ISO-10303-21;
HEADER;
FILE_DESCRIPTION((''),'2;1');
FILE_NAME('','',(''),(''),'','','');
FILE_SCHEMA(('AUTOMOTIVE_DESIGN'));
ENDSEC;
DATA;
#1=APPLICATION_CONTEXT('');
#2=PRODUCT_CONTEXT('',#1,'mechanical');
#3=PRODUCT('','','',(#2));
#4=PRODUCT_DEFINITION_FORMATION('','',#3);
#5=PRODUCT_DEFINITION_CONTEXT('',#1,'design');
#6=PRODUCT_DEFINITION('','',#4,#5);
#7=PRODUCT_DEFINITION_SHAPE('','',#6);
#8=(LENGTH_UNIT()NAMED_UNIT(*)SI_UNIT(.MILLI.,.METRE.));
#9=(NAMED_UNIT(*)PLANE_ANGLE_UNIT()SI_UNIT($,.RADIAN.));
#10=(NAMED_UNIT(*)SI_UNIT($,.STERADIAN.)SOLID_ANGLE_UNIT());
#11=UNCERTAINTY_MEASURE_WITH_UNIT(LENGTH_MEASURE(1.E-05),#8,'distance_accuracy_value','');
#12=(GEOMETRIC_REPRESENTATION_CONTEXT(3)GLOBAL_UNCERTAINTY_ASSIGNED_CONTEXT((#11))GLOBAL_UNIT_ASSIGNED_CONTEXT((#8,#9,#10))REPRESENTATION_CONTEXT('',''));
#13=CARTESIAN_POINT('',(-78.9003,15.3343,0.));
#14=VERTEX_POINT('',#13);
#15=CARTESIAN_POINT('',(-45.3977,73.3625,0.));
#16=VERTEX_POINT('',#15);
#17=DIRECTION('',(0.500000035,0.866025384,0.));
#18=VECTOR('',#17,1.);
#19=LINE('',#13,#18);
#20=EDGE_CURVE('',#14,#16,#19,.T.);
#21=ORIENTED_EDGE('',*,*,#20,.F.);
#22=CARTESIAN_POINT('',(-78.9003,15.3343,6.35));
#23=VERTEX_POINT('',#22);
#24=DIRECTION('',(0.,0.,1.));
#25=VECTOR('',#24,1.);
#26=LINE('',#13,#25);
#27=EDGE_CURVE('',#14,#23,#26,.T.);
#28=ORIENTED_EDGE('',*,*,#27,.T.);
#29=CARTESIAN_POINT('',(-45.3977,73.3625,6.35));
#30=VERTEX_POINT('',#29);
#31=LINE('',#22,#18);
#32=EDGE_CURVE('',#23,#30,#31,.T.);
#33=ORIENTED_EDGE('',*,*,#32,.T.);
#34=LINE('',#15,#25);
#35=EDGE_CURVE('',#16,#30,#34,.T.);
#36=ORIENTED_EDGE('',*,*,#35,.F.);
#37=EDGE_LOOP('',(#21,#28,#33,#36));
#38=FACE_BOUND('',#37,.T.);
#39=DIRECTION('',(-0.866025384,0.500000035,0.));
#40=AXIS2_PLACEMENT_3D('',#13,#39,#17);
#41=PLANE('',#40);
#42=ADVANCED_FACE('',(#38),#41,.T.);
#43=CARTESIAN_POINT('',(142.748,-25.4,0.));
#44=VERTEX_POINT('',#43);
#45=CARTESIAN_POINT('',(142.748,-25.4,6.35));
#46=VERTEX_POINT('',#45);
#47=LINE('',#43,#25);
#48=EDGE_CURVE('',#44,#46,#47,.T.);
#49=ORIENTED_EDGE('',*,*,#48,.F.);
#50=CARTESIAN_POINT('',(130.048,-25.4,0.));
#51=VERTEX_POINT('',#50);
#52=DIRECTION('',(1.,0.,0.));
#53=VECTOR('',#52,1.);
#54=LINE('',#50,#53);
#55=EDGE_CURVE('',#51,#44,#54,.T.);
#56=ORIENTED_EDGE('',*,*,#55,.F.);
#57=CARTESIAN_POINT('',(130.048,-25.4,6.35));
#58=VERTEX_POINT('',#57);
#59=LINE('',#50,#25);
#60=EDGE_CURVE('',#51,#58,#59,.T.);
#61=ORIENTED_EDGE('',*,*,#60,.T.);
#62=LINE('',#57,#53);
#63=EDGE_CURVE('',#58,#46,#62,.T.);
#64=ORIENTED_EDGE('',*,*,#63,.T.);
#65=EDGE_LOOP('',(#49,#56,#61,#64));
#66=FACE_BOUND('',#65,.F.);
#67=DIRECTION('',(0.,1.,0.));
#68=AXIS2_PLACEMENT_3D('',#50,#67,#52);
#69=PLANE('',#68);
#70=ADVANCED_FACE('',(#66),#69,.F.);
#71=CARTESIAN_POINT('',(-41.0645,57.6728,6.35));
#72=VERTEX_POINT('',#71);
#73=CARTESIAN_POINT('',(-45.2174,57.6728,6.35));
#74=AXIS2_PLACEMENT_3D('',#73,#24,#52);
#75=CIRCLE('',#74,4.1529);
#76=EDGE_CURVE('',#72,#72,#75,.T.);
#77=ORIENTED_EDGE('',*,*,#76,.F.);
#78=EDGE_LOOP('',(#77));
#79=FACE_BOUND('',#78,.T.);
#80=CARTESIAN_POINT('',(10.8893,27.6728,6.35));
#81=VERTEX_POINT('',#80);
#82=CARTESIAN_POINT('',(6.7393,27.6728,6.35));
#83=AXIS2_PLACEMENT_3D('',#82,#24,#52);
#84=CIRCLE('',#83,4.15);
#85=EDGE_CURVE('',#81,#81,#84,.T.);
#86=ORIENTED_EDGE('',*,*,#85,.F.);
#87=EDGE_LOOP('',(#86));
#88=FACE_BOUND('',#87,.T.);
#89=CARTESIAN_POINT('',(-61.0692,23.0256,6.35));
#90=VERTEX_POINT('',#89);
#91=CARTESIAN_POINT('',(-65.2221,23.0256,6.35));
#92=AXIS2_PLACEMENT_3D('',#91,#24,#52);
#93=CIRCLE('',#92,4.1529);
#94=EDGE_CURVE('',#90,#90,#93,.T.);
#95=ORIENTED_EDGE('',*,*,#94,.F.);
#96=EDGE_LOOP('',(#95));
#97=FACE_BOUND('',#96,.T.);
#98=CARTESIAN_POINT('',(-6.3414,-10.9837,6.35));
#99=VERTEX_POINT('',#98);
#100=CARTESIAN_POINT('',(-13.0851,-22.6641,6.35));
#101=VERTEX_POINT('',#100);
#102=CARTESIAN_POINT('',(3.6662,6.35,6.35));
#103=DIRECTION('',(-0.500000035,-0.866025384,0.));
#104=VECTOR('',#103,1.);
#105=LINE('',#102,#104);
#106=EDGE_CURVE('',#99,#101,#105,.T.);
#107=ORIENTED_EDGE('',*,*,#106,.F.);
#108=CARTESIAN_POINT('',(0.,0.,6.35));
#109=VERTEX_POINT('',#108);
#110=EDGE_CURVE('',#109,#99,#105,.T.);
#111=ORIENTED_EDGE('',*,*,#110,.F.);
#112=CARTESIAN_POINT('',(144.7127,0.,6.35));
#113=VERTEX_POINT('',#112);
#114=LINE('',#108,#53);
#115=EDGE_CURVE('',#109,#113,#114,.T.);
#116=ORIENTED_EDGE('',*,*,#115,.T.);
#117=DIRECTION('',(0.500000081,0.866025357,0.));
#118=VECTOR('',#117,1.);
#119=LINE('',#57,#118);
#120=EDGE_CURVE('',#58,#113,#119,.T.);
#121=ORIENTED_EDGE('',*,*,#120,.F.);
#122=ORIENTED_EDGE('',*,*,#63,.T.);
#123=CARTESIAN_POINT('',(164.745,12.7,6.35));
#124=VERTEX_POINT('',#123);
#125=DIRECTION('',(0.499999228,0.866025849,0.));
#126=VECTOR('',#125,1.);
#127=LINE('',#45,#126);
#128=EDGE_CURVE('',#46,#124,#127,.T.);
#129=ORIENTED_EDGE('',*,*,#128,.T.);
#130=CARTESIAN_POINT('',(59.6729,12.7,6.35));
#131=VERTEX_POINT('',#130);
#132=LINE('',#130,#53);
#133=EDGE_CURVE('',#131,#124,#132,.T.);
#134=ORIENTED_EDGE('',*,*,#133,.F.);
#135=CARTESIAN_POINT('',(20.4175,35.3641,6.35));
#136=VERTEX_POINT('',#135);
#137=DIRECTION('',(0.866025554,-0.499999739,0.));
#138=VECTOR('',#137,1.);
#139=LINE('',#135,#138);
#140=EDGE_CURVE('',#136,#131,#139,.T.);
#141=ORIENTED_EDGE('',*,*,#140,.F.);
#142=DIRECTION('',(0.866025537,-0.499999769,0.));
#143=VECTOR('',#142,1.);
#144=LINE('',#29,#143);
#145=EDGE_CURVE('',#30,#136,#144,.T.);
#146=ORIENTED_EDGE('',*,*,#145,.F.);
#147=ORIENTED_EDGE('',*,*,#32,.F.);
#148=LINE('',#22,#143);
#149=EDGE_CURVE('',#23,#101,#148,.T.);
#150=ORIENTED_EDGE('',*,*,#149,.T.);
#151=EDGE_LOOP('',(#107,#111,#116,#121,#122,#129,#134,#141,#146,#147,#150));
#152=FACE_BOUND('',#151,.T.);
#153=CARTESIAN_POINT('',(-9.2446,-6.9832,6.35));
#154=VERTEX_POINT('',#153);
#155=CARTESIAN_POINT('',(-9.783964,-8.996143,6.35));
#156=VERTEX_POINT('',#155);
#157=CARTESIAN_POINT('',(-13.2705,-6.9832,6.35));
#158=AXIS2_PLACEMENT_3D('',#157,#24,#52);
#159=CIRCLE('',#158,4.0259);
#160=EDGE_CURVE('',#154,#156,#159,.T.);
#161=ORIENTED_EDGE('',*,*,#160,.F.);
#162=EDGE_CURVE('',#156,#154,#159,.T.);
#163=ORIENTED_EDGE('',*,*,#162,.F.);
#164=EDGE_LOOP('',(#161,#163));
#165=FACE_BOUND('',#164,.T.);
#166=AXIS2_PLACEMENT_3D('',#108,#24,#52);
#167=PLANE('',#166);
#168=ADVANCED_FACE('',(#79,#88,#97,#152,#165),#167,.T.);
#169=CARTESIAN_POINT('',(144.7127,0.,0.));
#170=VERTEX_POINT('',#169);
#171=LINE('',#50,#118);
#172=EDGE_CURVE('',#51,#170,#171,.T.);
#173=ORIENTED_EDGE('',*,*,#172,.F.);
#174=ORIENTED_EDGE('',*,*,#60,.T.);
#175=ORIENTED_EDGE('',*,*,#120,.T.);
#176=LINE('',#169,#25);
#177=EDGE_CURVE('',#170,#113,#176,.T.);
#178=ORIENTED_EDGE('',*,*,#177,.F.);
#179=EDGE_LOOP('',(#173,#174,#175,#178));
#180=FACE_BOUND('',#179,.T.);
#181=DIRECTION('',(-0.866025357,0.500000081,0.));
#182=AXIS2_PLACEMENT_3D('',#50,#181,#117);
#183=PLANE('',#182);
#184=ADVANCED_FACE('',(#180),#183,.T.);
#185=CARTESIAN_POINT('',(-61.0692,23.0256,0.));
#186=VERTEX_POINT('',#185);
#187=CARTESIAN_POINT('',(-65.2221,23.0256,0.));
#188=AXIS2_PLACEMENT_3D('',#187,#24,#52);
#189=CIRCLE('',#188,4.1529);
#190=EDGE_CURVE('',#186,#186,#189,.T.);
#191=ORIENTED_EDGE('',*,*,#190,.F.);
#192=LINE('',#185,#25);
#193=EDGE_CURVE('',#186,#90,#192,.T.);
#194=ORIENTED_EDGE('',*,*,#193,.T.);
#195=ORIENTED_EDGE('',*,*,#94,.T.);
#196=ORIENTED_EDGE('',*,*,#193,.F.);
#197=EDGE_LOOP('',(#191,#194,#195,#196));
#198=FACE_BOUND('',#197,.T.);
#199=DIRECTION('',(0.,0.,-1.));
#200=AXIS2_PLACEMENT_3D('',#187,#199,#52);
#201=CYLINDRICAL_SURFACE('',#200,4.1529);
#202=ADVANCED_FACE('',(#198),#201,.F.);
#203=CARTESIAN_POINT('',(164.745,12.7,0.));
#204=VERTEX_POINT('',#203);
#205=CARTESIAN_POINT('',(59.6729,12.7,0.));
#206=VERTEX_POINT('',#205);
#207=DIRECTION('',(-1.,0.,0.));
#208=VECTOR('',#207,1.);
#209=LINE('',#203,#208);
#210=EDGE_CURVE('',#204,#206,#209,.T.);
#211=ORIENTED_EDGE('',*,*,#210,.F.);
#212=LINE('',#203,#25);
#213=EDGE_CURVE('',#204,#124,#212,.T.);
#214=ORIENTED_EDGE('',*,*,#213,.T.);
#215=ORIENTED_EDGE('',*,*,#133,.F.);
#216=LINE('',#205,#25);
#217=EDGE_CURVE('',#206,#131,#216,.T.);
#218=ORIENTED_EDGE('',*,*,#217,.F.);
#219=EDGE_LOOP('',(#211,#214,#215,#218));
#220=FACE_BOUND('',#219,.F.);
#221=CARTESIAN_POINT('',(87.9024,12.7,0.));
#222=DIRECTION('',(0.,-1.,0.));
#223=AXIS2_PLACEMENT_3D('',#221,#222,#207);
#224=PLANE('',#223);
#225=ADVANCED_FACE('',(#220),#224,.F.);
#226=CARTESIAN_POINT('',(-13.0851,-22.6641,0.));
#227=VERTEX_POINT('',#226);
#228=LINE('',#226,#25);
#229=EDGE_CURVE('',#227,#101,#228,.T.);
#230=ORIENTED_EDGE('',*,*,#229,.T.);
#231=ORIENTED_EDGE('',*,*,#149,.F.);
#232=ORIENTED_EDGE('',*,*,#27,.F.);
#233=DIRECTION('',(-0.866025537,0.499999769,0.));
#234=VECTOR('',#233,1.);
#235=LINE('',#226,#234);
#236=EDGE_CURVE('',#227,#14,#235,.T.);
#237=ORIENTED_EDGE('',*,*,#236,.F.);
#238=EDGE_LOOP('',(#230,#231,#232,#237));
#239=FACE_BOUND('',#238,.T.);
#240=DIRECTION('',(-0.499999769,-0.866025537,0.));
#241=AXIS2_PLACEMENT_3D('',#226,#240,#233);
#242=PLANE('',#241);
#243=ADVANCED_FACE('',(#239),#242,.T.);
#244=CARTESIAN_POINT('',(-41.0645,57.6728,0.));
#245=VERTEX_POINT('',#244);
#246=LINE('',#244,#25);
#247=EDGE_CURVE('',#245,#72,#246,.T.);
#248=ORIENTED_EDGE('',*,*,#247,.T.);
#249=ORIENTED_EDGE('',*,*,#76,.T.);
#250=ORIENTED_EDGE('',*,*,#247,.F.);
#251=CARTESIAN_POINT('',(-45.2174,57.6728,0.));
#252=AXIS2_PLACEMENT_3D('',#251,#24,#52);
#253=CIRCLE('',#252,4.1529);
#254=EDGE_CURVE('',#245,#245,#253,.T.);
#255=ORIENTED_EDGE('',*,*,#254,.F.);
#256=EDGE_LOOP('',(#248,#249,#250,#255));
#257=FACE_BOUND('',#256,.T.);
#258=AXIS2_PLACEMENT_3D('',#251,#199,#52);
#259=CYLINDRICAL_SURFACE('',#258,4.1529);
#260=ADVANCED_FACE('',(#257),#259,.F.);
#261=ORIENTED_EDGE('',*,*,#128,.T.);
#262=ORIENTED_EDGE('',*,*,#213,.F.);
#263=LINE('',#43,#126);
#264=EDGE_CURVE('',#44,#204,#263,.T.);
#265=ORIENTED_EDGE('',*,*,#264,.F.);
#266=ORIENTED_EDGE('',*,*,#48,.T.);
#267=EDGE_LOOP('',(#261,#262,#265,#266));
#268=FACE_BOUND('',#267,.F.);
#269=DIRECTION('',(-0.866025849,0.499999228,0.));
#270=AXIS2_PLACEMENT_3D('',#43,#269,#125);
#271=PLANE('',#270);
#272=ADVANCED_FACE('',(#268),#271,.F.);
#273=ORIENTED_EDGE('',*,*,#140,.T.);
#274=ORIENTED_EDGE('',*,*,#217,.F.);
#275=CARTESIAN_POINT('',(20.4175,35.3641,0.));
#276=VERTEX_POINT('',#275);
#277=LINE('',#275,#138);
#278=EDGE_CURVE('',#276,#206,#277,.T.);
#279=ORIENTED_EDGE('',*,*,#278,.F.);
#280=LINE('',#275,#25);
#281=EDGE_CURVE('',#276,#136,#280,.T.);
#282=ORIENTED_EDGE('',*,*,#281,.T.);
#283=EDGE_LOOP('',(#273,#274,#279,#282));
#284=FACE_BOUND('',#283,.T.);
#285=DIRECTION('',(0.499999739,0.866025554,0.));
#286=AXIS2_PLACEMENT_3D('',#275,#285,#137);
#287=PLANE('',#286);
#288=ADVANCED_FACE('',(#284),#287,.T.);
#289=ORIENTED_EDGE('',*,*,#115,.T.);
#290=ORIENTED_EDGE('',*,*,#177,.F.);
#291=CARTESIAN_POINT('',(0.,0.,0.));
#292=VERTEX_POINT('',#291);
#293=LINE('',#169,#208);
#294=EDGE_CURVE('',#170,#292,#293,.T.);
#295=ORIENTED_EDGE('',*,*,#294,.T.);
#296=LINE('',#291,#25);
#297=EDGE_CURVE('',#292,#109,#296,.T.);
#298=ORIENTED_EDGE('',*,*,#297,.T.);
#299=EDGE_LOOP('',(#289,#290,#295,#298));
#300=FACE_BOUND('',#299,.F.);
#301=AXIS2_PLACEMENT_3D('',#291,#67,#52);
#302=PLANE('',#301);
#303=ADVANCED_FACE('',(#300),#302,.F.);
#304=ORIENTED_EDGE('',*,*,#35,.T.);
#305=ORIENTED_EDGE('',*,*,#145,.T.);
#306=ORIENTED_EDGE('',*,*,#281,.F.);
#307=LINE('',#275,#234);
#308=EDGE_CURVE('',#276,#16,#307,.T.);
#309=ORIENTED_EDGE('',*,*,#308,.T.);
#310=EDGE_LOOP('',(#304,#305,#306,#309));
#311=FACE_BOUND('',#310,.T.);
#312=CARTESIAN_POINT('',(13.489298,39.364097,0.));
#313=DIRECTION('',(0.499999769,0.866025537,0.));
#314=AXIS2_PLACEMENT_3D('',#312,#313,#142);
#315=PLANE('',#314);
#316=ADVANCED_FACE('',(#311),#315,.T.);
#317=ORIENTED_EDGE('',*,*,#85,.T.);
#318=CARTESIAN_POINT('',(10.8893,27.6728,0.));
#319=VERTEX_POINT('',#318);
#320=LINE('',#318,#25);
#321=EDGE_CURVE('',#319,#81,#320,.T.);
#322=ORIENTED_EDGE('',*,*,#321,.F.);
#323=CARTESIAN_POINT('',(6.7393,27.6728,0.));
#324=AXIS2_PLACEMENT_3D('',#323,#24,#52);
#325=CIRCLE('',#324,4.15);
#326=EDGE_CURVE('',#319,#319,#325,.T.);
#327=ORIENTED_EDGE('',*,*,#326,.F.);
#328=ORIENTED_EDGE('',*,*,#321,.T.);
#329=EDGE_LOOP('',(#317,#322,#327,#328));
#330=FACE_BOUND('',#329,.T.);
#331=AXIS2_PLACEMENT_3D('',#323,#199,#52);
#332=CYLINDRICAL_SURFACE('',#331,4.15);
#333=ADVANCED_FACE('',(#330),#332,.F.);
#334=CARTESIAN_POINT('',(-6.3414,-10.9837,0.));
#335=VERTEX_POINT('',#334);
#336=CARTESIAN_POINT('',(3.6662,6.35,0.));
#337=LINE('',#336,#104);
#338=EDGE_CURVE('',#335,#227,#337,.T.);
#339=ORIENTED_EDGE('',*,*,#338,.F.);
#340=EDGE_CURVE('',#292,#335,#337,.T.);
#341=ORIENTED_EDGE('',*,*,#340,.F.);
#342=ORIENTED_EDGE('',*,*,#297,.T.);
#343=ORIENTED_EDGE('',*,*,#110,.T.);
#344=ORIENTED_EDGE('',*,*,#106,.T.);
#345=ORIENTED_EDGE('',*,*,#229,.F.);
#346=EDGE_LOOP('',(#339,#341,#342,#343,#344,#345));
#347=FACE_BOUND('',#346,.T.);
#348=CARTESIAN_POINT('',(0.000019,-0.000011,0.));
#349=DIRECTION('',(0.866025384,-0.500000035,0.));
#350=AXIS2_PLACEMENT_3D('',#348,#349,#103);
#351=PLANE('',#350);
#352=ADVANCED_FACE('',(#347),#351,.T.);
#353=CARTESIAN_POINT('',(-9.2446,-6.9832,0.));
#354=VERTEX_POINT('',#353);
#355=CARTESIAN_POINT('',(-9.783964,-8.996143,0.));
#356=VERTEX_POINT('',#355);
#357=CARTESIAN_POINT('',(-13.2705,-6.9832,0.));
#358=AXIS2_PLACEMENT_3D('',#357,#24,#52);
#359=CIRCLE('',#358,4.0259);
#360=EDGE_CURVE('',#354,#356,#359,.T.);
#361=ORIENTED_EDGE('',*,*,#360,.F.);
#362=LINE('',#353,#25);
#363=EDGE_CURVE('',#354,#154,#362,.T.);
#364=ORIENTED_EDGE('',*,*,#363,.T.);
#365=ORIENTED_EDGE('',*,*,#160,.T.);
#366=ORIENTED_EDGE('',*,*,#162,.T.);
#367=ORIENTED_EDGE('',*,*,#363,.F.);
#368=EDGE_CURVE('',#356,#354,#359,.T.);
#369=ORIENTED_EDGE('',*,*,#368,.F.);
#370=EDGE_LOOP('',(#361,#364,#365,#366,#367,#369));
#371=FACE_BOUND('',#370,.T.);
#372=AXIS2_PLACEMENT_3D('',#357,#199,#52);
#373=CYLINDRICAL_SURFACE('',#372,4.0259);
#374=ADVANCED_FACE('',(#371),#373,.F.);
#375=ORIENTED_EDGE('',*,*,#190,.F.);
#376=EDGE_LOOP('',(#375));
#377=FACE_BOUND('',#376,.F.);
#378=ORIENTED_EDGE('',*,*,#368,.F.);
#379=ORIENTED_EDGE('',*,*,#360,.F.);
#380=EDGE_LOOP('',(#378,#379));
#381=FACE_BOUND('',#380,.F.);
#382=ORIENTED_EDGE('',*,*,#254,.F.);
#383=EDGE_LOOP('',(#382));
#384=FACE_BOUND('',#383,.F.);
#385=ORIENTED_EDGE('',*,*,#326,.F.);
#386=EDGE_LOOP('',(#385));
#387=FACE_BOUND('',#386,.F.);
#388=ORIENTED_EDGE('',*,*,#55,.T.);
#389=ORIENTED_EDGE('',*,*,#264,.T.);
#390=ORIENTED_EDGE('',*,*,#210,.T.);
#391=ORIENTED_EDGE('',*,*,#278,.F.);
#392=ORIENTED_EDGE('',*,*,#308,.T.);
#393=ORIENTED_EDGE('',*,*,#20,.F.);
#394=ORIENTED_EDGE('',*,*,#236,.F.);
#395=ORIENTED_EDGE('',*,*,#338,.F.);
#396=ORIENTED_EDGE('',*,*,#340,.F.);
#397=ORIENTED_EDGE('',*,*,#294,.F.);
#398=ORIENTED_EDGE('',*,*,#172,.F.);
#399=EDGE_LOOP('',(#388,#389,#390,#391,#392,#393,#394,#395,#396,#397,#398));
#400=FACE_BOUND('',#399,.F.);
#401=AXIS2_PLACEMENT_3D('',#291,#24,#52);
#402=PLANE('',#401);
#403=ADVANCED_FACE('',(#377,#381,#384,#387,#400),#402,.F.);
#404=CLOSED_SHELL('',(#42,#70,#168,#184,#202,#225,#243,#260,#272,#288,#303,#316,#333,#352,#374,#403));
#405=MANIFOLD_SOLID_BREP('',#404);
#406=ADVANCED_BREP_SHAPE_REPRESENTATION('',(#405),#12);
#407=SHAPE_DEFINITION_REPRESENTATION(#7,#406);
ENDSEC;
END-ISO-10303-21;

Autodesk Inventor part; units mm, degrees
ref_plane "YZ Plane" through (0, 0, 0) normal (1, 0, 0) x (0, 1, 0)
ref_plane "XZ Plane" through (0, 0, 0) normal (0, 1, 0) x (-1, 0, 0)
ref_plane "XY Plane" through (0, 0, 0) normal (0, 0, 1) x (1, 0, 0)
sketch "Sketch1" plane through (0, 0, 0) normal (0, 0, 1) x (1, 0, 0)
  line L0 (0, 0) -> (130.048, 0)
  line L1 (87.9024, 12.7) -> (59.6729, 12.7)
  line L2 (87.9024, 12.7) -> (130.048, 12.7)
  line L3 (130.048, 12.7) -> (130.048, 0)
  line L4 (130.048, -25.4) -> (142.748, -25.4)
  line L5 (130.048, -25.4) -> (144.7127, 0)
  line L6 (142.748, -25.4) -> (164.745, 12.7)
  line L7 (144.7127, 0) -> (130.048, 0)
  line L8 (130.048, 12.7) -> (164.745, 12.7)
  line L9 (0, 0) -> (7.3323, 12.7)
  line L10 (3.6662, 6.35) -> (20.4175, 35.3641)
  line L11 (3.6662, 6.35) -> (-13.0851, -22.6641)
  line L12 (-13.0851, -22.6641) -> (-78.9003, 15.3343)
  line L13 (-78.9003, 15.3343) -> (-45.3977, 73.3625)
  line L14 (-45.3977, 73.3625) -> (20.4175, 35.3641)
  line L15 (20.4175, 35.3641) -> (59.6729, 12.7)
  line L16 (20.4175, 35.3641) -> (13.4893, 39.3641)
  circle A0 centre (6.7393, 27.6728) radius 4.15
  line L17 (-78.9003, 15.3343) -> (-71.9721, 11.3343)
  circle A1 centre (-65.2221, 23.0256) radius 4.1529
  line L18 (-45.3977, 73.3625) -> (-38.4686, 69.362)
  circle A2 centre (-45.2174, 57.6728) radius 4.1529
  line L19 (-13.0851, -22.6641) -> (-6.3414, -10.9837)
  line L20 (-6.3414, -10.9837) -> (-13.2705, -6.9832)
  circle A3 centre (-13.2705, -6.9832) radius 4.0259
  dimension "d39" = 130.048
  dimension "d41" = 25.4
  dimension "d42" = 12.7
  dimension "d43" = 60
  dimension "d44" = 60
  dimension "d45" = 12.7
  dimension "d51" = 136.3234
  dimension "d54" = 136.3234
  dimension "d55" = 12.7
  dimension "d56" = 66.5476
  dimension "d57" = 33.5026
  dimension "d58" = 33.5026
  dimension "d59" = 75.9968
  dimension "d60" = 40.8349
  dimension "d61" = 8
  dimension "d63" = 8.3
  dimension "d64" = 8
  dimension "d66" = 8.3058
  dimension "d69" = 8.001
  dimension "d70" = 13.5
  dimension "d72" = 8.3058
  dimension "d73" = 13.4874
  dimension "d74" = 8.001
  dimension "d75" = 90
  dimension "d76" = 8.0518
extrude "Extrusion2" add sketch "Sketch1" along normal blind 6.35
properties part number "hook" material "Steel"
